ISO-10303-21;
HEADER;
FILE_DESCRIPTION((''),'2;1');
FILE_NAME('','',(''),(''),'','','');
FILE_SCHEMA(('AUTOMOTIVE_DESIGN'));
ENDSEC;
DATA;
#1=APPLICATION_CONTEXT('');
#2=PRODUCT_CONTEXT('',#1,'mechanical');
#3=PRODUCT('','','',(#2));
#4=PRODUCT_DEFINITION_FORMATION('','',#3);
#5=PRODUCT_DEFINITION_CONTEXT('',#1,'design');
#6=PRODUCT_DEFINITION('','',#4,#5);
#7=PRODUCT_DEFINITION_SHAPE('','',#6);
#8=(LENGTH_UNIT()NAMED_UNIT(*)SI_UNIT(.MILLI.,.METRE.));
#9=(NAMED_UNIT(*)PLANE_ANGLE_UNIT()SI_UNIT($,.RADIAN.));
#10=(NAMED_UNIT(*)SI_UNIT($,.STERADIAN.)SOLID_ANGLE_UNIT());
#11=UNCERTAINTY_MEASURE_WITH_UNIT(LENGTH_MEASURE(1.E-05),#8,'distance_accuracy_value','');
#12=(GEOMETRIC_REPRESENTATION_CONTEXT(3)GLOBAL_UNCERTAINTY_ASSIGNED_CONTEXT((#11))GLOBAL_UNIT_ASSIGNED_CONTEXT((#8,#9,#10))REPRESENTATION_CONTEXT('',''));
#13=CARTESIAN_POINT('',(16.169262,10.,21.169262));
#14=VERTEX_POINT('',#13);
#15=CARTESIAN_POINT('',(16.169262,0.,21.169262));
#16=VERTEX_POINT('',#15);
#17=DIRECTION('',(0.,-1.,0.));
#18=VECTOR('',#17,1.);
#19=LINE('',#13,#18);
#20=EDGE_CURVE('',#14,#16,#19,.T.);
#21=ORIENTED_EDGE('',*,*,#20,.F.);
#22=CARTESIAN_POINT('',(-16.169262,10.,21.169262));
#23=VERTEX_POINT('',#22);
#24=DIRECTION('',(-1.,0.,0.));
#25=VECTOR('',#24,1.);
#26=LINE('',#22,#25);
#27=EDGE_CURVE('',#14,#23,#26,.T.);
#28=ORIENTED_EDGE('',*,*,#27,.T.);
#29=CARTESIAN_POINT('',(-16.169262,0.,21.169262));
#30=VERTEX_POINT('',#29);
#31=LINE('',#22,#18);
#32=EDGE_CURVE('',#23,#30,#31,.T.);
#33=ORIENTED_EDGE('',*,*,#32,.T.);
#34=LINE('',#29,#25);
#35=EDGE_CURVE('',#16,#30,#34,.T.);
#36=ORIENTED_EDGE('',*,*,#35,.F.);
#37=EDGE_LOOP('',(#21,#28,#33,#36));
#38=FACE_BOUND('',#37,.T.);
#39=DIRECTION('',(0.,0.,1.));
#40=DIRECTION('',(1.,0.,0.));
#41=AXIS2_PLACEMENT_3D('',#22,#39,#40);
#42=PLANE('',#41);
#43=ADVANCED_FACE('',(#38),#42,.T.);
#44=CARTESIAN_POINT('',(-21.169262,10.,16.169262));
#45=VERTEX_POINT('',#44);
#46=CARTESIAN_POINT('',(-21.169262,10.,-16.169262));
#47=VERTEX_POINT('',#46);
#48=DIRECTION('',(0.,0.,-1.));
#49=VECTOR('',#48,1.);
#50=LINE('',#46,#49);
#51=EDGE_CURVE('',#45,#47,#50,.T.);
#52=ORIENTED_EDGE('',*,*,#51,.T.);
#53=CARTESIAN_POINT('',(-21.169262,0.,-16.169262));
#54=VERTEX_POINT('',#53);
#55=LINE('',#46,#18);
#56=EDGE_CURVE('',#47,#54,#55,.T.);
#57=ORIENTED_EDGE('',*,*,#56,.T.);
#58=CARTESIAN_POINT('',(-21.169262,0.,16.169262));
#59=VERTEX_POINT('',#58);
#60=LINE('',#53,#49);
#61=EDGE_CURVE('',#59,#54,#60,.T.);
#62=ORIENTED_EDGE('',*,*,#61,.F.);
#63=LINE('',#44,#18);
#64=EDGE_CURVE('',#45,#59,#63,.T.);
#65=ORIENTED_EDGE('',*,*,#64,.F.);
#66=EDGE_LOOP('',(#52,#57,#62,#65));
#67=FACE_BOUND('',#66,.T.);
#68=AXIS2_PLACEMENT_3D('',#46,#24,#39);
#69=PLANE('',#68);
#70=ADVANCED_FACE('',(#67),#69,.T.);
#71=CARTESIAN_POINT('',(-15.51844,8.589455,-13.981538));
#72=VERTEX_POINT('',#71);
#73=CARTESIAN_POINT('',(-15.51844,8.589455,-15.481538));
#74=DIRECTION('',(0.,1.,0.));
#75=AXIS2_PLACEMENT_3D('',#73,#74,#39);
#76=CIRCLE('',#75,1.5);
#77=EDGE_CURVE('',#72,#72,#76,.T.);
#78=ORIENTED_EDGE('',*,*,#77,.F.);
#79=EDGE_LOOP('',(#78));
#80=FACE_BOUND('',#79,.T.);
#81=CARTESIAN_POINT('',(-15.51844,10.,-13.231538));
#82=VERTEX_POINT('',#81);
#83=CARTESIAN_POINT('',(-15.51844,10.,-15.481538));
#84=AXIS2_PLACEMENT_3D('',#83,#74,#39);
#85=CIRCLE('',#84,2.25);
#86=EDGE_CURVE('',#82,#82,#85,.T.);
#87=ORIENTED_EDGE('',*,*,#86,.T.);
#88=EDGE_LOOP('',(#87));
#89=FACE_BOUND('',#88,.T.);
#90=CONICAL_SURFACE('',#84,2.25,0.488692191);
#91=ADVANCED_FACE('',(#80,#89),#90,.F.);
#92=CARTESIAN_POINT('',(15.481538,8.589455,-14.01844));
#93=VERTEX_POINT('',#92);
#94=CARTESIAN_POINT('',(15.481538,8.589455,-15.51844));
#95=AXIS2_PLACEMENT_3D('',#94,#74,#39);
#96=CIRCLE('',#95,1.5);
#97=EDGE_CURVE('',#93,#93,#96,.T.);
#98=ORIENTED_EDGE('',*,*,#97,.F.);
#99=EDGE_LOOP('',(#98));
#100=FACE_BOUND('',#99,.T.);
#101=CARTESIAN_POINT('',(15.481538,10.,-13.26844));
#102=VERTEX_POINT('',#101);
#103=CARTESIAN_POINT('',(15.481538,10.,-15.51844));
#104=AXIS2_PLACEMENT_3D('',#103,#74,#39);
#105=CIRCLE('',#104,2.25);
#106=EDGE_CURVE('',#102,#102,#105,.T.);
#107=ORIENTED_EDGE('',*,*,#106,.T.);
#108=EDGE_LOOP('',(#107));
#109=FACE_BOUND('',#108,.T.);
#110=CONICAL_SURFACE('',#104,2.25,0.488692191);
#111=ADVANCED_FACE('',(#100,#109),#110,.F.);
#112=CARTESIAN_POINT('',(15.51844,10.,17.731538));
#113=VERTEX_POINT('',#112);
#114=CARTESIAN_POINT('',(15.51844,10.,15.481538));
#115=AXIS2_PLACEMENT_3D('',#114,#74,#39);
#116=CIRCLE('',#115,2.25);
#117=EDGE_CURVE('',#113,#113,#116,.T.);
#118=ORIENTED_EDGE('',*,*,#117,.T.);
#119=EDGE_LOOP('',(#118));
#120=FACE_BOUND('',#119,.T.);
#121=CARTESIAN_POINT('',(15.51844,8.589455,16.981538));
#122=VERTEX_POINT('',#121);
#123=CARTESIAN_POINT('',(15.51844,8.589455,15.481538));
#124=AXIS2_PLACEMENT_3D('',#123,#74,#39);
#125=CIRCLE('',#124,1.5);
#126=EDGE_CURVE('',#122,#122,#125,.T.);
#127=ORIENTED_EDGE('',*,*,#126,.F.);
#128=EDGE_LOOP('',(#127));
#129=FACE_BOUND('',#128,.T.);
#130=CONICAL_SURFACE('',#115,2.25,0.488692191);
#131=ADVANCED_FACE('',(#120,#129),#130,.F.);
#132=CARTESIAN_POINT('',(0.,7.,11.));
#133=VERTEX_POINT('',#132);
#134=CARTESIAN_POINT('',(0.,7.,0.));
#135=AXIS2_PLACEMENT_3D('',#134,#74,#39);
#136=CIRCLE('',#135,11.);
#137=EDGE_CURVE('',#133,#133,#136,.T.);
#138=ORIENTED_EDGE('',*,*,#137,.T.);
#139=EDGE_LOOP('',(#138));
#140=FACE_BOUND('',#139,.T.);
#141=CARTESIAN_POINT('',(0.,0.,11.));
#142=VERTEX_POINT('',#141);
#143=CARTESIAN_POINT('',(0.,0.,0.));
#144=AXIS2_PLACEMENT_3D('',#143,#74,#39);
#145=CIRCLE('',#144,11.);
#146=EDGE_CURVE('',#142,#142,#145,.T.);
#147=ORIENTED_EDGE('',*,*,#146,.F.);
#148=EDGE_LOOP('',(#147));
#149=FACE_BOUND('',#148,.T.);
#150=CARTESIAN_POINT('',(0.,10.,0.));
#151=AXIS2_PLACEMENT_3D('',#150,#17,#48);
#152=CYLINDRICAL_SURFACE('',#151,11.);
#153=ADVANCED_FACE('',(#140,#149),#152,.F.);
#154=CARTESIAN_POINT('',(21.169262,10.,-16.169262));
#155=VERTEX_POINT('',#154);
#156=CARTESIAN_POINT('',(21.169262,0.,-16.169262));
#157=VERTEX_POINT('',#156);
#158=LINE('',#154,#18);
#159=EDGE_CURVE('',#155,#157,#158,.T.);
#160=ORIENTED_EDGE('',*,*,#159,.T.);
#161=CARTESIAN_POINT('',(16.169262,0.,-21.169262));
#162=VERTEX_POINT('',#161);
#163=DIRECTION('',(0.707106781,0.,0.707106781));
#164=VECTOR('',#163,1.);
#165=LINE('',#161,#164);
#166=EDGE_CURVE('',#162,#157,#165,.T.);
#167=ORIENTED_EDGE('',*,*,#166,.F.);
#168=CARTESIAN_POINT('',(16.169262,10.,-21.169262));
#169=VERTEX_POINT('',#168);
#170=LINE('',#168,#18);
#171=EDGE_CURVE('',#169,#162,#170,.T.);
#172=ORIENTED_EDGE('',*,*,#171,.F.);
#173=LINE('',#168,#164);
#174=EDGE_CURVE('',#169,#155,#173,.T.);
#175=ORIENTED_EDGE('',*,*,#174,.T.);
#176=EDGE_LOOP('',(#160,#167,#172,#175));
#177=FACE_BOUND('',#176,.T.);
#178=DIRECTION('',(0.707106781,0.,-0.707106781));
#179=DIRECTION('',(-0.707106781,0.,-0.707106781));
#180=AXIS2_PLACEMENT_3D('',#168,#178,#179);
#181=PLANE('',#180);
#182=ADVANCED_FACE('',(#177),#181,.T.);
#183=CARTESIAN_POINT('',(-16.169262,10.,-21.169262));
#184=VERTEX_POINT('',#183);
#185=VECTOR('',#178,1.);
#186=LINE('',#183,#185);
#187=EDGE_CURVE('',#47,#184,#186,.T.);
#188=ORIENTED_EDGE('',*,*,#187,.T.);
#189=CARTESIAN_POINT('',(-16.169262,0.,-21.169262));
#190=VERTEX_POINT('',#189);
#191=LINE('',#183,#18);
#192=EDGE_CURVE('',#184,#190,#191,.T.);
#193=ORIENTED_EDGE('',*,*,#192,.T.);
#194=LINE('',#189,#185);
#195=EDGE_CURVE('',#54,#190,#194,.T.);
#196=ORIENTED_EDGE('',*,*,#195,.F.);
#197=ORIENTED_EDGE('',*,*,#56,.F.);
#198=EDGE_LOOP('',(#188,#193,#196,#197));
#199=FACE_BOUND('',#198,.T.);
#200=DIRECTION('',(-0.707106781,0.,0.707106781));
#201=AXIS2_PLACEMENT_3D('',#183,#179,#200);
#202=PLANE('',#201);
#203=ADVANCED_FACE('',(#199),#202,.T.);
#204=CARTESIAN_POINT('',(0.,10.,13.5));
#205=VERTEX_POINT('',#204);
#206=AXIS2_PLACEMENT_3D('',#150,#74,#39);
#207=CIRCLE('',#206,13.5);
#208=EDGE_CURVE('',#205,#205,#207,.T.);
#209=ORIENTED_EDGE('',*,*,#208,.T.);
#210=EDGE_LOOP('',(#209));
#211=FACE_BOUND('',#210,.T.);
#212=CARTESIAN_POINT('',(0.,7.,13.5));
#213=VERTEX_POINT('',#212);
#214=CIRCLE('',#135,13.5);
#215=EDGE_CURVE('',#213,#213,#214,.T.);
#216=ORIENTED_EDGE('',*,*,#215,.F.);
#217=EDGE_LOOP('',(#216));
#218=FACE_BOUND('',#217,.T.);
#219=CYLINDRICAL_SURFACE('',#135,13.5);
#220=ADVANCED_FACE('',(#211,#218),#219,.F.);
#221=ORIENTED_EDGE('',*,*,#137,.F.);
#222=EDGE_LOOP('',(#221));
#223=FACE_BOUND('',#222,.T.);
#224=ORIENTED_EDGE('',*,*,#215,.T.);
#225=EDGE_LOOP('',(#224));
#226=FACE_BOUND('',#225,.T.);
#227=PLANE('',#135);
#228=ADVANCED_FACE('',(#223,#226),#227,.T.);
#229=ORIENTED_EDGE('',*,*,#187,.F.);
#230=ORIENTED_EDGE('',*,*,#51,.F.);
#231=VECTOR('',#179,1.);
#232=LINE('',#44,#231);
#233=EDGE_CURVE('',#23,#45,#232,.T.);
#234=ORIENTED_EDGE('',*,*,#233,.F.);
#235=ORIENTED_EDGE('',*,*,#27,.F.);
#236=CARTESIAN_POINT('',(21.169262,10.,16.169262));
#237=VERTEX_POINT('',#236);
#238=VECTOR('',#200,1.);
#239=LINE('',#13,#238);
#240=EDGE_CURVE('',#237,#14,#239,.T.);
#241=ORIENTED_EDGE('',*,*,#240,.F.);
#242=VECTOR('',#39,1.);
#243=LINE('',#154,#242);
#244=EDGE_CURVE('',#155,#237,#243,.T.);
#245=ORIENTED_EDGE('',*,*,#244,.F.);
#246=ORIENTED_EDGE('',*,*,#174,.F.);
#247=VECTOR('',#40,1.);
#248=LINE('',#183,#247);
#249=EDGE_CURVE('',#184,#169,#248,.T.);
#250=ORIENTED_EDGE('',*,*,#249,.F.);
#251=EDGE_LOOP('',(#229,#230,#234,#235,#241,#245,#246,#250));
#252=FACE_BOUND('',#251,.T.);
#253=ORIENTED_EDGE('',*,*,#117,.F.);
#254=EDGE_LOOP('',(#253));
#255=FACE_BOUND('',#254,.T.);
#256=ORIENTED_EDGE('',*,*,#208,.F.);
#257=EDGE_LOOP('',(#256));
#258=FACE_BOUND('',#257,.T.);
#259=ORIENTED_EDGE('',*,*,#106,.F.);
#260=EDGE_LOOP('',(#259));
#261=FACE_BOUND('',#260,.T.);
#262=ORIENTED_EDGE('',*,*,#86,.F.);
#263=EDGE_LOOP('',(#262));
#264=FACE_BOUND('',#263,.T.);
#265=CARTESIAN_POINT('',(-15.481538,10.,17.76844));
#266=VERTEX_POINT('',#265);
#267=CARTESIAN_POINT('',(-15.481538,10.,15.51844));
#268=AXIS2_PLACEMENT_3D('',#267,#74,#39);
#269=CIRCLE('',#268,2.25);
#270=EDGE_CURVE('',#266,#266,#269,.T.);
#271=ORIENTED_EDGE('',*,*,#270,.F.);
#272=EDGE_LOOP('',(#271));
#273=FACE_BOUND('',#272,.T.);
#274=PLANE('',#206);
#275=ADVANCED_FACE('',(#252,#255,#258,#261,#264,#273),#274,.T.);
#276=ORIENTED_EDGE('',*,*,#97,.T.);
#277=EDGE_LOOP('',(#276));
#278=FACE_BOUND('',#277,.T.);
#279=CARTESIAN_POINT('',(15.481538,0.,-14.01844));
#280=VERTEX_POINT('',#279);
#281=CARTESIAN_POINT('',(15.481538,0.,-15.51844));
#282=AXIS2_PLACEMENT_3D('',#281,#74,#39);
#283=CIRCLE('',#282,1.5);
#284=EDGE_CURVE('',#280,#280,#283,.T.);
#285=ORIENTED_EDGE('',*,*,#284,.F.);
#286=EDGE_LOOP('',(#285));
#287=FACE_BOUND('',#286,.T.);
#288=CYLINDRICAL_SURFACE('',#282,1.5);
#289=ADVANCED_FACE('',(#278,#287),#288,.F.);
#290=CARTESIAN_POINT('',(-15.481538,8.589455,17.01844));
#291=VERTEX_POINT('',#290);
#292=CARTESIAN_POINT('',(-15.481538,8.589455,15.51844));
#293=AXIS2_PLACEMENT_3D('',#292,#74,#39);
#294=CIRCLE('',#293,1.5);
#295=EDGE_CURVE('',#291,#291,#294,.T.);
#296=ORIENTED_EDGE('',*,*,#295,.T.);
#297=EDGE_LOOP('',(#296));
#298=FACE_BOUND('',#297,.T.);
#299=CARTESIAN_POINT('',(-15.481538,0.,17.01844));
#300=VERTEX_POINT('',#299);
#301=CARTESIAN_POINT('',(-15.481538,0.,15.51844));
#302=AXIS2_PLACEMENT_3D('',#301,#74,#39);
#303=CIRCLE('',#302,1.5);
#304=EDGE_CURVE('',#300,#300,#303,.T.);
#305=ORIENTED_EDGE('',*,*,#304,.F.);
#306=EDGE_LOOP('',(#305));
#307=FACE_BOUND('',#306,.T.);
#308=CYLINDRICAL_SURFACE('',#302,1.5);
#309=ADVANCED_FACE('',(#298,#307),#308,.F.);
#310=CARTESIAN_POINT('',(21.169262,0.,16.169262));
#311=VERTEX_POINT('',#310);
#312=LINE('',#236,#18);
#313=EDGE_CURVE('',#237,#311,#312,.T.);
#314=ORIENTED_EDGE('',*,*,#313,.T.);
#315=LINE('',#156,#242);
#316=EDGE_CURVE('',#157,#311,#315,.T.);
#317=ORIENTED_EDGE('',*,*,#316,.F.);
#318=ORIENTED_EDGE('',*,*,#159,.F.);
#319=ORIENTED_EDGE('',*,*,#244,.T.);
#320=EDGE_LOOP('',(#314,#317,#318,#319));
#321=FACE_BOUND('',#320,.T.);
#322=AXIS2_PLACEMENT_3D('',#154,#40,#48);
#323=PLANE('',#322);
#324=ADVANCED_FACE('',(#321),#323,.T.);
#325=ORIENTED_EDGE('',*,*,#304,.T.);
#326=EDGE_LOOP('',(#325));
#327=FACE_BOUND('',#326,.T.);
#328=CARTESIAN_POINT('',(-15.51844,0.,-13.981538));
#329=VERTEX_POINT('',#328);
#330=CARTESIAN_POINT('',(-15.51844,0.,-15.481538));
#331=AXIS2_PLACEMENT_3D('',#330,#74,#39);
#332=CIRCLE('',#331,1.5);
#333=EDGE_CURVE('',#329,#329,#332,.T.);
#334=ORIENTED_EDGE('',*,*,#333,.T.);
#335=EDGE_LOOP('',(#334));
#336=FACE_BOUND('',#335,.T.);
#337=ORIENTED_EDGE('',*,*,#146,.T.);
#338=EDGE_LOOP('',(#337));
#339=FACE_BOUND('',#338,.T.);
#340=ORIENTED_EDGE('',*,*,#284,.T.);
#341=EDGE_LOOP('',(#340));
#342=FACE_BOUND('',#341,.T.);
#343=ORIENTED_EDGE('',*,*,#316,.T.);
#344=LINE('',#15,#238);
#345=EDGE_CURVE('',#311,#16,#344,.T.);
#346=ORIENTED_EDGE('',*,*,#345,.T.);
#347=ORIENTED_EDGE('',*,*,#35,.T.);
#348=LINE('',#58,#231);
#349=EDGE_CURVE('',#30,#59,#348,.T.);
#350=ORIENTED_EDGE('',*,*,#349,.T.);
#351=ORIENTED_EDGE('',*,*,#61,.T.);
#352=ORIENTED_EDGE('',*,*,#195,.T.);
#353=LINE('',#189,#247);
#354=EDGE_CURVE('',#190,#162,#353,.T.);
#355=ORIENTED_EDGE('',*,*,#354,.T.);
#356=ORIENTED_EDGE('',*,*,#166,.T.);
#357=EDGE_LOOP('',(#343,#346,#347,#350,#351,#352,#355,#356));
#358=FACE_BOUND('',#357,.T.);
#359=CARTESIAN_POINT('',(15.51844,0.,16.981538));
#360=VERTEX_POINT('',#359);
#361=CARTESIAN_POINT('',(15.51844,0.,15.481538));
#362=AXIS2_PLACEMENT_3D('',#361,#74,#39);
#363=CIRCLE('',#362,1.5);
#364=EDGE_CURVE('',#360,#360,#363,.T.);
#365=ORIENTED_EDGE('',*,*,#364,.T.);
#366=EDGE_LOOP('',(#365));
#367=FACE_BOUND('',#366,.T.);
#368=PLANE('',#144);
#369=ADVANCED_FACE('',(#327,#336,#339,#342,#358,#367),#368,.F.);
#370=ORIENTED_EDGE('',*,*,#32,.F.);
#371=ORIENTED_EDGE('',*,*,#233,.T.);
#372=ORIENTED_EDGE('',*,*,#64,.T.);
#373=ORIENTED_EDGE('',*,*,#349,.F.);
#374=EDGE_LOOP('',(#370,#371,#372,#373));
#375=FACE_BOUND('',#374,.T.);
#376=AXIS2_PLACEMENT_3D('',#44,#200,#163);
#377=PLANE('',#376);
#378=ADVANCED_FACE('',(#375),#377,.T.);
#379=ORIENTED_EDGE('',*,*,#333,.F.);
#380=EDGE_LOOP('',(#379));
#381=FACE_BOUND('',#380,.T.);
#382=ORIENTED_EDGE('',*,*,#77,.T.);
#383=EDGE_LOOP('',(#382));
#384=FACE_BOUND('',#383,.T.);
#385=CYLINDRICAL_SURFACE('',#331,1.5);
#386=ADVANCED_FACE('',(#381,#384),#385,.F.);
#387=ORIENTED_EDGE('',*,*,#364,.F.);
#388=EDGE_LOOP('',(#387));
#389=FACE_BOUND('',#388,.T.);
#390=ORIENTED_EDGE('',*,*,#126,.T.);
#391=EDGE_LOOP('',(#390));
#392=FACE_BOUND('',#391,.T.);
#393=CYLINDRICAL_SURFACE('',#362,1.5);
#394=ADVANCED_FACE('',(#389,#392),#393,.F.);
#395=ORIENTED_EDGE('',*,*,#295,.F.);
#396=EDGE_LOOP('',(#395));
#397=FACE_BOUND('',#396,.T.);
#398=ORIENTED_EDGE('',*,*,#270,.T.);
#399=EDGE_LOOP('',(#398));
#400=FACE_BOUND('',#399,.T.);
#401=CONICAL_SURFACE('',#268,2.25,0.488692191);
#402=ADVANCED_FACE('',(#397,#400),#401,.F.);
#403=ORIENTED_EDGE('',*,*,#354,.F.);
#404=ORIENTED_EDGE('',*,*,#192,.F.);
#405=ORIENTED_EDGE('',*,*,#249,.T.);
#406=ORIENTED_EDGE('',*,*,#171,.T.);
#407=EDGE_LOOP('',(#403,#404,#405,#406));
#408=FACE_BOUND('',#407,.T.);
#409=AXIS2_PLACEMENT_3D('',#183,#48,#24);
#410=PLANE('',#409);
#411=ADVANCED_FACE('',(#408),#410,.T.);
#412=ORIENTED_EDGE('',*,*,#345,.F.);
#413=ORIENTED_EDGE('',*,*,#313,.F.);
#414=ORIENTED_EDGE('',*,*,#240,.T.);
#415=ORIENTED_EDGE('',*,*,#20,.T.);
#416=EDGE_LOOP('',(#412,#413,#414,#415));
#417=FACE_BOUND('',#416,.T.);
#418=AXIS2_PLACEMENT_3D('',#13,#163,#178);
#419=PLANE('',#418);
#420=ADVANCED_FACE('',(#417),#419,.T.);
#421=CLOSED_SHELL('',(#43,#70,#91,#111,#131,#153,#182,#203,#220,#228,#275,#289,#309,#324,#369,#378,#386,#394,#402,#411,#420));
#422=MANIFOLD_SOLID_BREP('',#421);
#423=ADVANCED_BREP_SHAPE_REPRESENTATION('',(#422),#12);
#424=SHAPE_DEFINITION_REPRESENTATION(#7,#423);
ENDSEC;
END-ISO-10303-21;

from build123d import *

# Parameters (mm, degrees)
SKETCH1_R                    = 33.334829616
SKETCH1_R_2                  = 11
EXTRUDE1_DEPTH               = 10
SKETCH2_W                    = 68.7469374
SKETCH2_H                    = 68.7469374
CUT_EXTRUDE1_DEPTH           = 10
SKETCH3_R                    = 1.5
CUT_EXTRUDE2_DEPTH           = 32.563829392
SKETCH4_R                    = 2.25
CUT_EXTRUDE3_DEPTH           = 1.5
CUT_EXTRUDE3_DRAFT           = -28
CUT_EXTRUDE3_PROFILE_2_DEPTH = 1.5
CUT_EXTRUDE3_PROFILE_2_DRAFT = -28
CUT_EXTRUDE3_PROFILE_3_DEPTH = 1.5
CUT_EXTRUDE3_PROFILE_3_DRAFT = -28
CUT_EXTRUDE3_PROFILE_4_DEPTH = 1.5
CUT_EXTRUDE3_PROFILE_4_DRAFT = -28
SKETCH5_R                    = 13.5
CUT_EXTRUDE4_DEPTH           = 3


with BuildPart() as part:
    # Sketch1 → Extrude1 (new body)
    with BuildSketch(Plane(origin=(0, 0, 0), x_dir=(1, 0, 0), z_dir=(0, 1, 0))):
        with Locations(Location((0, 0, 0), (0, 0, 270))):
            Circle(SKETCH1_R)
        with Locations(Location((0, 0, 0), (0, 0, 270))):
            Circle(SKETCH1_R_2, mode=Mode.SUBTRACT)
    extrude(amount=EXTRUDE1_DEPTH)

    # Sketch2 → Cut-Extrude1 (cut)
    with BuildSketch(Plane.XZ):
        Rectangle(SKETCH2_W, SKETCH2_H)
        Polygon((16.16926222, 21.16926222), (21.16926222, 16.16926222), (21.16926222, -16.16926222), (16.16926222, -21.16926222), (-16.16926222, -21.16926222), (-21.16926222, -16.16926222), (-21.16926222, 16.16926222), (-16.16926222, 21.16926222), align=None, mode=Mode.SUBTRACT)
    extrude(amount=-CUT_EXTRUDE1_DEPTH, mode=Mode.SUBTRACT)

    # Sketch3 → Cut-Extrude2 (cut, through all)
    with BuildSketch(Plane(origin=(0, 10, 0), x_dir=(1, 0, 0), z_dir=(0, 1, 0))):
        with Locations(Location((-15.518439578, 15.481538459, 0), (0, 0, 270))):
            Circle(SKETCH3_R)
        with Locations(Location((-15.481538459, -15.518439578, 0), (0, 0, 270))):
            Circle(SKETCH3_R)
        with Locations(Location((15.481538459, 15.518439578, 0), (0, 0, 270))):
            Circle(SKETCH3_R)
        with Locations(Location((15.518439578, -15.481538459, 0), (0, 0, 270))):
            Circle(SKETCH3_R)
    extrude(amount=-CUT_EXTRUDE2_DEPTH, mode=Mode.SUBTRACT)


with BuildPart() as cut_extrude3_tool:
    # Sketch4 → Cut-Extrude3 (with draft: the straight prism first)
    with BuildSketch(Plane(origin=(0, 10, 0), x_dir=(1, 0, 0), z_dir=(0, 1, 0))):
        with Locations((-15.518439578, 15.481538459)):
            Circle(SKETCH4_R)
    extrude(amount=-CUT_EXTRUDE3_DEPTH)
    # Cut-Extrude3: the draft: its side faces are tilted about the plane it starts from
    cut_extrude3_sides = [cut_extrude3_tool.faces().sort_by_distance(p)[0] for p in [
        (-17.768439578, 9.25, -15.481538459),
    ]]
    draft(cut_extrude3_sides, Plane(origin=(0, 10, 0), x_dir=(1, 0, 0), z_dir=(0, 1, 0)), CUT_EXTRUDE3_DRAFT)


with BuildPart() as part_1:
    add(part.part)

    # Cut-Extrude3: cut by cut_extrude3_tool
    add(cut_extrude3_tool.part, mode=Mode.SUBTRACT)


with BuildPart() as cut_extrude3_profile_2_tool:
    # Sketch4 → Cut-Extrude3 profile 2 (with draft: the straight prism first)
    with BuildSketch(Plane(origin=(0, 10, 0), x_dir=(1, 0, 0), z_dir=(0, 1, 0))):
        with Locations((-15.481538459, -15.518439578)):
            Circle(SKETCH4_R)
    extrude(amount=-CUT_EXTRUDE3_PROFILE_2_DEPTH)
    # Cut-Extrude3 profile 2: the draft: its side faces are tilted about the plane it starts from
    cut_extrude3_profile_2_sides = [cut_extrude3_profile_2_tool.faces().sort_by_distance(p)[0] for p in [
        (-17.731538459, 9.25, 15.518439578),
    ]]
    draft(cut_extrude3_profile_2_sides, Plane(origin=(0, 10, 0), x_dir=(1, 0, 0), z_dir=(0, 1, 0)), CUT_EXTRUDE3_PROFILE_2_DRAFT)


with BuildPart() as part_2:
    add(part_1.part)

    # Cut-Extrude3 profile 2: cut by cut_extrude3_profile_2_tool
    add(cut_extrude3_profile_2_tool.part, mode=Mode.SUBTRACT)


with BuildPart() as cut_extrude3_profile_3_tool:
    # Sketch4 → Cut-Extrude3 profile 3 (with draft: the straight prism first)
    with BuildSketch(Plane(origin=(0, 10, 0), x_dir=(1, 0, 0), z_dir=(0, 1, 0))):
        with Locations((15.481538459, 15.518439578)):
            Circle(SKETCH4_R)
    extrude(amount=-CUT_EXTRUDE3_PROFILE_3_DEPTH)
    # Cut-Extrude3 profile 3: the draft: its side faces are tilted about the plane it starts from
    cut_extrude3_profile_3_sides = [cut_extrude3_profile_3_tool.faces().sort_by_distance(p)[0] for p in [
        (13.231538459, 9.25, -15.518439578),
    ]]
    draft(cut_extrude3_profile_3_sides, Plane(origin=(0, 10, 0), x_dir=(1, 0, 0), z_dir=(0, 1, 0)), CUT_EXTRUDE3_PROFILE_3_DRAFT)


with BuildPart() as part_3:
    add(part_2.part)

    # Cut-Extrude3 profile 3: cut by cut_extrude3_profile_3_tool
    add(cut_extrude3_profile_3_tool.part, mode=Mode.SUBTRACT)


with BuildPart() as cut_extrude3_profile_4_tool:
    # Sketch4 → Cut-Extrude3 profile 4 (with draft: the straight prism first)
    with BuildSketch(Plane(origin=(0, 10, 0), x_dir=(1, 0, 0), z_dir=(0, 1, 0))):
        with Locations((15.518439578, -15.481538459)):
            Circle(SKETCH4_R)
    extrude(amount=-CUT_EXTRUDE3_PROFILE_4_DEPTH)
    # Cut-Extrude3 profile 4: the draft: its side faces are tilted about the plane it starts from
    cut_extrude3_profile_4_sides = [cut_extrude3_profile_4_tool.faces().sort_by_distance(p)[0] for p in [
        (13.268439578, 9.25, 15.481538459),
    ]]
    draft(cut_extrude3_profile_4_sides, Plane(origin=(0, 10, 0), x_dir=(1, 0, 0), z_dir=(0, 1, 0)), CUT_EXTRUDE3_PROFILE_4_DRAFT)


with BuildPart() as part_4:
    add(part_3.part)

    # Cut-Extrude3 profile 4: cut by cut_extrude3_profile_4_tool
    add(cut_extrude3_profile_4_tool.part, mode=Mode.SUBTRACT)

    # Sketch5 → Cut-Extrude4 (cut)
    with BuildSketch(Plane(origin=(0, 10, 0), x_dir=(1, 0, 0), z_dir=(0, 1, 0))):
        with Locations(Location((0, 0, 0), (0, 0, 270))):
            Circle(SKETCH5_R)
    extrude(amount=-CUT_EXTRUDE4_DEPTH, mode=Mode.SUBTRACT)


solid = part_4.part
